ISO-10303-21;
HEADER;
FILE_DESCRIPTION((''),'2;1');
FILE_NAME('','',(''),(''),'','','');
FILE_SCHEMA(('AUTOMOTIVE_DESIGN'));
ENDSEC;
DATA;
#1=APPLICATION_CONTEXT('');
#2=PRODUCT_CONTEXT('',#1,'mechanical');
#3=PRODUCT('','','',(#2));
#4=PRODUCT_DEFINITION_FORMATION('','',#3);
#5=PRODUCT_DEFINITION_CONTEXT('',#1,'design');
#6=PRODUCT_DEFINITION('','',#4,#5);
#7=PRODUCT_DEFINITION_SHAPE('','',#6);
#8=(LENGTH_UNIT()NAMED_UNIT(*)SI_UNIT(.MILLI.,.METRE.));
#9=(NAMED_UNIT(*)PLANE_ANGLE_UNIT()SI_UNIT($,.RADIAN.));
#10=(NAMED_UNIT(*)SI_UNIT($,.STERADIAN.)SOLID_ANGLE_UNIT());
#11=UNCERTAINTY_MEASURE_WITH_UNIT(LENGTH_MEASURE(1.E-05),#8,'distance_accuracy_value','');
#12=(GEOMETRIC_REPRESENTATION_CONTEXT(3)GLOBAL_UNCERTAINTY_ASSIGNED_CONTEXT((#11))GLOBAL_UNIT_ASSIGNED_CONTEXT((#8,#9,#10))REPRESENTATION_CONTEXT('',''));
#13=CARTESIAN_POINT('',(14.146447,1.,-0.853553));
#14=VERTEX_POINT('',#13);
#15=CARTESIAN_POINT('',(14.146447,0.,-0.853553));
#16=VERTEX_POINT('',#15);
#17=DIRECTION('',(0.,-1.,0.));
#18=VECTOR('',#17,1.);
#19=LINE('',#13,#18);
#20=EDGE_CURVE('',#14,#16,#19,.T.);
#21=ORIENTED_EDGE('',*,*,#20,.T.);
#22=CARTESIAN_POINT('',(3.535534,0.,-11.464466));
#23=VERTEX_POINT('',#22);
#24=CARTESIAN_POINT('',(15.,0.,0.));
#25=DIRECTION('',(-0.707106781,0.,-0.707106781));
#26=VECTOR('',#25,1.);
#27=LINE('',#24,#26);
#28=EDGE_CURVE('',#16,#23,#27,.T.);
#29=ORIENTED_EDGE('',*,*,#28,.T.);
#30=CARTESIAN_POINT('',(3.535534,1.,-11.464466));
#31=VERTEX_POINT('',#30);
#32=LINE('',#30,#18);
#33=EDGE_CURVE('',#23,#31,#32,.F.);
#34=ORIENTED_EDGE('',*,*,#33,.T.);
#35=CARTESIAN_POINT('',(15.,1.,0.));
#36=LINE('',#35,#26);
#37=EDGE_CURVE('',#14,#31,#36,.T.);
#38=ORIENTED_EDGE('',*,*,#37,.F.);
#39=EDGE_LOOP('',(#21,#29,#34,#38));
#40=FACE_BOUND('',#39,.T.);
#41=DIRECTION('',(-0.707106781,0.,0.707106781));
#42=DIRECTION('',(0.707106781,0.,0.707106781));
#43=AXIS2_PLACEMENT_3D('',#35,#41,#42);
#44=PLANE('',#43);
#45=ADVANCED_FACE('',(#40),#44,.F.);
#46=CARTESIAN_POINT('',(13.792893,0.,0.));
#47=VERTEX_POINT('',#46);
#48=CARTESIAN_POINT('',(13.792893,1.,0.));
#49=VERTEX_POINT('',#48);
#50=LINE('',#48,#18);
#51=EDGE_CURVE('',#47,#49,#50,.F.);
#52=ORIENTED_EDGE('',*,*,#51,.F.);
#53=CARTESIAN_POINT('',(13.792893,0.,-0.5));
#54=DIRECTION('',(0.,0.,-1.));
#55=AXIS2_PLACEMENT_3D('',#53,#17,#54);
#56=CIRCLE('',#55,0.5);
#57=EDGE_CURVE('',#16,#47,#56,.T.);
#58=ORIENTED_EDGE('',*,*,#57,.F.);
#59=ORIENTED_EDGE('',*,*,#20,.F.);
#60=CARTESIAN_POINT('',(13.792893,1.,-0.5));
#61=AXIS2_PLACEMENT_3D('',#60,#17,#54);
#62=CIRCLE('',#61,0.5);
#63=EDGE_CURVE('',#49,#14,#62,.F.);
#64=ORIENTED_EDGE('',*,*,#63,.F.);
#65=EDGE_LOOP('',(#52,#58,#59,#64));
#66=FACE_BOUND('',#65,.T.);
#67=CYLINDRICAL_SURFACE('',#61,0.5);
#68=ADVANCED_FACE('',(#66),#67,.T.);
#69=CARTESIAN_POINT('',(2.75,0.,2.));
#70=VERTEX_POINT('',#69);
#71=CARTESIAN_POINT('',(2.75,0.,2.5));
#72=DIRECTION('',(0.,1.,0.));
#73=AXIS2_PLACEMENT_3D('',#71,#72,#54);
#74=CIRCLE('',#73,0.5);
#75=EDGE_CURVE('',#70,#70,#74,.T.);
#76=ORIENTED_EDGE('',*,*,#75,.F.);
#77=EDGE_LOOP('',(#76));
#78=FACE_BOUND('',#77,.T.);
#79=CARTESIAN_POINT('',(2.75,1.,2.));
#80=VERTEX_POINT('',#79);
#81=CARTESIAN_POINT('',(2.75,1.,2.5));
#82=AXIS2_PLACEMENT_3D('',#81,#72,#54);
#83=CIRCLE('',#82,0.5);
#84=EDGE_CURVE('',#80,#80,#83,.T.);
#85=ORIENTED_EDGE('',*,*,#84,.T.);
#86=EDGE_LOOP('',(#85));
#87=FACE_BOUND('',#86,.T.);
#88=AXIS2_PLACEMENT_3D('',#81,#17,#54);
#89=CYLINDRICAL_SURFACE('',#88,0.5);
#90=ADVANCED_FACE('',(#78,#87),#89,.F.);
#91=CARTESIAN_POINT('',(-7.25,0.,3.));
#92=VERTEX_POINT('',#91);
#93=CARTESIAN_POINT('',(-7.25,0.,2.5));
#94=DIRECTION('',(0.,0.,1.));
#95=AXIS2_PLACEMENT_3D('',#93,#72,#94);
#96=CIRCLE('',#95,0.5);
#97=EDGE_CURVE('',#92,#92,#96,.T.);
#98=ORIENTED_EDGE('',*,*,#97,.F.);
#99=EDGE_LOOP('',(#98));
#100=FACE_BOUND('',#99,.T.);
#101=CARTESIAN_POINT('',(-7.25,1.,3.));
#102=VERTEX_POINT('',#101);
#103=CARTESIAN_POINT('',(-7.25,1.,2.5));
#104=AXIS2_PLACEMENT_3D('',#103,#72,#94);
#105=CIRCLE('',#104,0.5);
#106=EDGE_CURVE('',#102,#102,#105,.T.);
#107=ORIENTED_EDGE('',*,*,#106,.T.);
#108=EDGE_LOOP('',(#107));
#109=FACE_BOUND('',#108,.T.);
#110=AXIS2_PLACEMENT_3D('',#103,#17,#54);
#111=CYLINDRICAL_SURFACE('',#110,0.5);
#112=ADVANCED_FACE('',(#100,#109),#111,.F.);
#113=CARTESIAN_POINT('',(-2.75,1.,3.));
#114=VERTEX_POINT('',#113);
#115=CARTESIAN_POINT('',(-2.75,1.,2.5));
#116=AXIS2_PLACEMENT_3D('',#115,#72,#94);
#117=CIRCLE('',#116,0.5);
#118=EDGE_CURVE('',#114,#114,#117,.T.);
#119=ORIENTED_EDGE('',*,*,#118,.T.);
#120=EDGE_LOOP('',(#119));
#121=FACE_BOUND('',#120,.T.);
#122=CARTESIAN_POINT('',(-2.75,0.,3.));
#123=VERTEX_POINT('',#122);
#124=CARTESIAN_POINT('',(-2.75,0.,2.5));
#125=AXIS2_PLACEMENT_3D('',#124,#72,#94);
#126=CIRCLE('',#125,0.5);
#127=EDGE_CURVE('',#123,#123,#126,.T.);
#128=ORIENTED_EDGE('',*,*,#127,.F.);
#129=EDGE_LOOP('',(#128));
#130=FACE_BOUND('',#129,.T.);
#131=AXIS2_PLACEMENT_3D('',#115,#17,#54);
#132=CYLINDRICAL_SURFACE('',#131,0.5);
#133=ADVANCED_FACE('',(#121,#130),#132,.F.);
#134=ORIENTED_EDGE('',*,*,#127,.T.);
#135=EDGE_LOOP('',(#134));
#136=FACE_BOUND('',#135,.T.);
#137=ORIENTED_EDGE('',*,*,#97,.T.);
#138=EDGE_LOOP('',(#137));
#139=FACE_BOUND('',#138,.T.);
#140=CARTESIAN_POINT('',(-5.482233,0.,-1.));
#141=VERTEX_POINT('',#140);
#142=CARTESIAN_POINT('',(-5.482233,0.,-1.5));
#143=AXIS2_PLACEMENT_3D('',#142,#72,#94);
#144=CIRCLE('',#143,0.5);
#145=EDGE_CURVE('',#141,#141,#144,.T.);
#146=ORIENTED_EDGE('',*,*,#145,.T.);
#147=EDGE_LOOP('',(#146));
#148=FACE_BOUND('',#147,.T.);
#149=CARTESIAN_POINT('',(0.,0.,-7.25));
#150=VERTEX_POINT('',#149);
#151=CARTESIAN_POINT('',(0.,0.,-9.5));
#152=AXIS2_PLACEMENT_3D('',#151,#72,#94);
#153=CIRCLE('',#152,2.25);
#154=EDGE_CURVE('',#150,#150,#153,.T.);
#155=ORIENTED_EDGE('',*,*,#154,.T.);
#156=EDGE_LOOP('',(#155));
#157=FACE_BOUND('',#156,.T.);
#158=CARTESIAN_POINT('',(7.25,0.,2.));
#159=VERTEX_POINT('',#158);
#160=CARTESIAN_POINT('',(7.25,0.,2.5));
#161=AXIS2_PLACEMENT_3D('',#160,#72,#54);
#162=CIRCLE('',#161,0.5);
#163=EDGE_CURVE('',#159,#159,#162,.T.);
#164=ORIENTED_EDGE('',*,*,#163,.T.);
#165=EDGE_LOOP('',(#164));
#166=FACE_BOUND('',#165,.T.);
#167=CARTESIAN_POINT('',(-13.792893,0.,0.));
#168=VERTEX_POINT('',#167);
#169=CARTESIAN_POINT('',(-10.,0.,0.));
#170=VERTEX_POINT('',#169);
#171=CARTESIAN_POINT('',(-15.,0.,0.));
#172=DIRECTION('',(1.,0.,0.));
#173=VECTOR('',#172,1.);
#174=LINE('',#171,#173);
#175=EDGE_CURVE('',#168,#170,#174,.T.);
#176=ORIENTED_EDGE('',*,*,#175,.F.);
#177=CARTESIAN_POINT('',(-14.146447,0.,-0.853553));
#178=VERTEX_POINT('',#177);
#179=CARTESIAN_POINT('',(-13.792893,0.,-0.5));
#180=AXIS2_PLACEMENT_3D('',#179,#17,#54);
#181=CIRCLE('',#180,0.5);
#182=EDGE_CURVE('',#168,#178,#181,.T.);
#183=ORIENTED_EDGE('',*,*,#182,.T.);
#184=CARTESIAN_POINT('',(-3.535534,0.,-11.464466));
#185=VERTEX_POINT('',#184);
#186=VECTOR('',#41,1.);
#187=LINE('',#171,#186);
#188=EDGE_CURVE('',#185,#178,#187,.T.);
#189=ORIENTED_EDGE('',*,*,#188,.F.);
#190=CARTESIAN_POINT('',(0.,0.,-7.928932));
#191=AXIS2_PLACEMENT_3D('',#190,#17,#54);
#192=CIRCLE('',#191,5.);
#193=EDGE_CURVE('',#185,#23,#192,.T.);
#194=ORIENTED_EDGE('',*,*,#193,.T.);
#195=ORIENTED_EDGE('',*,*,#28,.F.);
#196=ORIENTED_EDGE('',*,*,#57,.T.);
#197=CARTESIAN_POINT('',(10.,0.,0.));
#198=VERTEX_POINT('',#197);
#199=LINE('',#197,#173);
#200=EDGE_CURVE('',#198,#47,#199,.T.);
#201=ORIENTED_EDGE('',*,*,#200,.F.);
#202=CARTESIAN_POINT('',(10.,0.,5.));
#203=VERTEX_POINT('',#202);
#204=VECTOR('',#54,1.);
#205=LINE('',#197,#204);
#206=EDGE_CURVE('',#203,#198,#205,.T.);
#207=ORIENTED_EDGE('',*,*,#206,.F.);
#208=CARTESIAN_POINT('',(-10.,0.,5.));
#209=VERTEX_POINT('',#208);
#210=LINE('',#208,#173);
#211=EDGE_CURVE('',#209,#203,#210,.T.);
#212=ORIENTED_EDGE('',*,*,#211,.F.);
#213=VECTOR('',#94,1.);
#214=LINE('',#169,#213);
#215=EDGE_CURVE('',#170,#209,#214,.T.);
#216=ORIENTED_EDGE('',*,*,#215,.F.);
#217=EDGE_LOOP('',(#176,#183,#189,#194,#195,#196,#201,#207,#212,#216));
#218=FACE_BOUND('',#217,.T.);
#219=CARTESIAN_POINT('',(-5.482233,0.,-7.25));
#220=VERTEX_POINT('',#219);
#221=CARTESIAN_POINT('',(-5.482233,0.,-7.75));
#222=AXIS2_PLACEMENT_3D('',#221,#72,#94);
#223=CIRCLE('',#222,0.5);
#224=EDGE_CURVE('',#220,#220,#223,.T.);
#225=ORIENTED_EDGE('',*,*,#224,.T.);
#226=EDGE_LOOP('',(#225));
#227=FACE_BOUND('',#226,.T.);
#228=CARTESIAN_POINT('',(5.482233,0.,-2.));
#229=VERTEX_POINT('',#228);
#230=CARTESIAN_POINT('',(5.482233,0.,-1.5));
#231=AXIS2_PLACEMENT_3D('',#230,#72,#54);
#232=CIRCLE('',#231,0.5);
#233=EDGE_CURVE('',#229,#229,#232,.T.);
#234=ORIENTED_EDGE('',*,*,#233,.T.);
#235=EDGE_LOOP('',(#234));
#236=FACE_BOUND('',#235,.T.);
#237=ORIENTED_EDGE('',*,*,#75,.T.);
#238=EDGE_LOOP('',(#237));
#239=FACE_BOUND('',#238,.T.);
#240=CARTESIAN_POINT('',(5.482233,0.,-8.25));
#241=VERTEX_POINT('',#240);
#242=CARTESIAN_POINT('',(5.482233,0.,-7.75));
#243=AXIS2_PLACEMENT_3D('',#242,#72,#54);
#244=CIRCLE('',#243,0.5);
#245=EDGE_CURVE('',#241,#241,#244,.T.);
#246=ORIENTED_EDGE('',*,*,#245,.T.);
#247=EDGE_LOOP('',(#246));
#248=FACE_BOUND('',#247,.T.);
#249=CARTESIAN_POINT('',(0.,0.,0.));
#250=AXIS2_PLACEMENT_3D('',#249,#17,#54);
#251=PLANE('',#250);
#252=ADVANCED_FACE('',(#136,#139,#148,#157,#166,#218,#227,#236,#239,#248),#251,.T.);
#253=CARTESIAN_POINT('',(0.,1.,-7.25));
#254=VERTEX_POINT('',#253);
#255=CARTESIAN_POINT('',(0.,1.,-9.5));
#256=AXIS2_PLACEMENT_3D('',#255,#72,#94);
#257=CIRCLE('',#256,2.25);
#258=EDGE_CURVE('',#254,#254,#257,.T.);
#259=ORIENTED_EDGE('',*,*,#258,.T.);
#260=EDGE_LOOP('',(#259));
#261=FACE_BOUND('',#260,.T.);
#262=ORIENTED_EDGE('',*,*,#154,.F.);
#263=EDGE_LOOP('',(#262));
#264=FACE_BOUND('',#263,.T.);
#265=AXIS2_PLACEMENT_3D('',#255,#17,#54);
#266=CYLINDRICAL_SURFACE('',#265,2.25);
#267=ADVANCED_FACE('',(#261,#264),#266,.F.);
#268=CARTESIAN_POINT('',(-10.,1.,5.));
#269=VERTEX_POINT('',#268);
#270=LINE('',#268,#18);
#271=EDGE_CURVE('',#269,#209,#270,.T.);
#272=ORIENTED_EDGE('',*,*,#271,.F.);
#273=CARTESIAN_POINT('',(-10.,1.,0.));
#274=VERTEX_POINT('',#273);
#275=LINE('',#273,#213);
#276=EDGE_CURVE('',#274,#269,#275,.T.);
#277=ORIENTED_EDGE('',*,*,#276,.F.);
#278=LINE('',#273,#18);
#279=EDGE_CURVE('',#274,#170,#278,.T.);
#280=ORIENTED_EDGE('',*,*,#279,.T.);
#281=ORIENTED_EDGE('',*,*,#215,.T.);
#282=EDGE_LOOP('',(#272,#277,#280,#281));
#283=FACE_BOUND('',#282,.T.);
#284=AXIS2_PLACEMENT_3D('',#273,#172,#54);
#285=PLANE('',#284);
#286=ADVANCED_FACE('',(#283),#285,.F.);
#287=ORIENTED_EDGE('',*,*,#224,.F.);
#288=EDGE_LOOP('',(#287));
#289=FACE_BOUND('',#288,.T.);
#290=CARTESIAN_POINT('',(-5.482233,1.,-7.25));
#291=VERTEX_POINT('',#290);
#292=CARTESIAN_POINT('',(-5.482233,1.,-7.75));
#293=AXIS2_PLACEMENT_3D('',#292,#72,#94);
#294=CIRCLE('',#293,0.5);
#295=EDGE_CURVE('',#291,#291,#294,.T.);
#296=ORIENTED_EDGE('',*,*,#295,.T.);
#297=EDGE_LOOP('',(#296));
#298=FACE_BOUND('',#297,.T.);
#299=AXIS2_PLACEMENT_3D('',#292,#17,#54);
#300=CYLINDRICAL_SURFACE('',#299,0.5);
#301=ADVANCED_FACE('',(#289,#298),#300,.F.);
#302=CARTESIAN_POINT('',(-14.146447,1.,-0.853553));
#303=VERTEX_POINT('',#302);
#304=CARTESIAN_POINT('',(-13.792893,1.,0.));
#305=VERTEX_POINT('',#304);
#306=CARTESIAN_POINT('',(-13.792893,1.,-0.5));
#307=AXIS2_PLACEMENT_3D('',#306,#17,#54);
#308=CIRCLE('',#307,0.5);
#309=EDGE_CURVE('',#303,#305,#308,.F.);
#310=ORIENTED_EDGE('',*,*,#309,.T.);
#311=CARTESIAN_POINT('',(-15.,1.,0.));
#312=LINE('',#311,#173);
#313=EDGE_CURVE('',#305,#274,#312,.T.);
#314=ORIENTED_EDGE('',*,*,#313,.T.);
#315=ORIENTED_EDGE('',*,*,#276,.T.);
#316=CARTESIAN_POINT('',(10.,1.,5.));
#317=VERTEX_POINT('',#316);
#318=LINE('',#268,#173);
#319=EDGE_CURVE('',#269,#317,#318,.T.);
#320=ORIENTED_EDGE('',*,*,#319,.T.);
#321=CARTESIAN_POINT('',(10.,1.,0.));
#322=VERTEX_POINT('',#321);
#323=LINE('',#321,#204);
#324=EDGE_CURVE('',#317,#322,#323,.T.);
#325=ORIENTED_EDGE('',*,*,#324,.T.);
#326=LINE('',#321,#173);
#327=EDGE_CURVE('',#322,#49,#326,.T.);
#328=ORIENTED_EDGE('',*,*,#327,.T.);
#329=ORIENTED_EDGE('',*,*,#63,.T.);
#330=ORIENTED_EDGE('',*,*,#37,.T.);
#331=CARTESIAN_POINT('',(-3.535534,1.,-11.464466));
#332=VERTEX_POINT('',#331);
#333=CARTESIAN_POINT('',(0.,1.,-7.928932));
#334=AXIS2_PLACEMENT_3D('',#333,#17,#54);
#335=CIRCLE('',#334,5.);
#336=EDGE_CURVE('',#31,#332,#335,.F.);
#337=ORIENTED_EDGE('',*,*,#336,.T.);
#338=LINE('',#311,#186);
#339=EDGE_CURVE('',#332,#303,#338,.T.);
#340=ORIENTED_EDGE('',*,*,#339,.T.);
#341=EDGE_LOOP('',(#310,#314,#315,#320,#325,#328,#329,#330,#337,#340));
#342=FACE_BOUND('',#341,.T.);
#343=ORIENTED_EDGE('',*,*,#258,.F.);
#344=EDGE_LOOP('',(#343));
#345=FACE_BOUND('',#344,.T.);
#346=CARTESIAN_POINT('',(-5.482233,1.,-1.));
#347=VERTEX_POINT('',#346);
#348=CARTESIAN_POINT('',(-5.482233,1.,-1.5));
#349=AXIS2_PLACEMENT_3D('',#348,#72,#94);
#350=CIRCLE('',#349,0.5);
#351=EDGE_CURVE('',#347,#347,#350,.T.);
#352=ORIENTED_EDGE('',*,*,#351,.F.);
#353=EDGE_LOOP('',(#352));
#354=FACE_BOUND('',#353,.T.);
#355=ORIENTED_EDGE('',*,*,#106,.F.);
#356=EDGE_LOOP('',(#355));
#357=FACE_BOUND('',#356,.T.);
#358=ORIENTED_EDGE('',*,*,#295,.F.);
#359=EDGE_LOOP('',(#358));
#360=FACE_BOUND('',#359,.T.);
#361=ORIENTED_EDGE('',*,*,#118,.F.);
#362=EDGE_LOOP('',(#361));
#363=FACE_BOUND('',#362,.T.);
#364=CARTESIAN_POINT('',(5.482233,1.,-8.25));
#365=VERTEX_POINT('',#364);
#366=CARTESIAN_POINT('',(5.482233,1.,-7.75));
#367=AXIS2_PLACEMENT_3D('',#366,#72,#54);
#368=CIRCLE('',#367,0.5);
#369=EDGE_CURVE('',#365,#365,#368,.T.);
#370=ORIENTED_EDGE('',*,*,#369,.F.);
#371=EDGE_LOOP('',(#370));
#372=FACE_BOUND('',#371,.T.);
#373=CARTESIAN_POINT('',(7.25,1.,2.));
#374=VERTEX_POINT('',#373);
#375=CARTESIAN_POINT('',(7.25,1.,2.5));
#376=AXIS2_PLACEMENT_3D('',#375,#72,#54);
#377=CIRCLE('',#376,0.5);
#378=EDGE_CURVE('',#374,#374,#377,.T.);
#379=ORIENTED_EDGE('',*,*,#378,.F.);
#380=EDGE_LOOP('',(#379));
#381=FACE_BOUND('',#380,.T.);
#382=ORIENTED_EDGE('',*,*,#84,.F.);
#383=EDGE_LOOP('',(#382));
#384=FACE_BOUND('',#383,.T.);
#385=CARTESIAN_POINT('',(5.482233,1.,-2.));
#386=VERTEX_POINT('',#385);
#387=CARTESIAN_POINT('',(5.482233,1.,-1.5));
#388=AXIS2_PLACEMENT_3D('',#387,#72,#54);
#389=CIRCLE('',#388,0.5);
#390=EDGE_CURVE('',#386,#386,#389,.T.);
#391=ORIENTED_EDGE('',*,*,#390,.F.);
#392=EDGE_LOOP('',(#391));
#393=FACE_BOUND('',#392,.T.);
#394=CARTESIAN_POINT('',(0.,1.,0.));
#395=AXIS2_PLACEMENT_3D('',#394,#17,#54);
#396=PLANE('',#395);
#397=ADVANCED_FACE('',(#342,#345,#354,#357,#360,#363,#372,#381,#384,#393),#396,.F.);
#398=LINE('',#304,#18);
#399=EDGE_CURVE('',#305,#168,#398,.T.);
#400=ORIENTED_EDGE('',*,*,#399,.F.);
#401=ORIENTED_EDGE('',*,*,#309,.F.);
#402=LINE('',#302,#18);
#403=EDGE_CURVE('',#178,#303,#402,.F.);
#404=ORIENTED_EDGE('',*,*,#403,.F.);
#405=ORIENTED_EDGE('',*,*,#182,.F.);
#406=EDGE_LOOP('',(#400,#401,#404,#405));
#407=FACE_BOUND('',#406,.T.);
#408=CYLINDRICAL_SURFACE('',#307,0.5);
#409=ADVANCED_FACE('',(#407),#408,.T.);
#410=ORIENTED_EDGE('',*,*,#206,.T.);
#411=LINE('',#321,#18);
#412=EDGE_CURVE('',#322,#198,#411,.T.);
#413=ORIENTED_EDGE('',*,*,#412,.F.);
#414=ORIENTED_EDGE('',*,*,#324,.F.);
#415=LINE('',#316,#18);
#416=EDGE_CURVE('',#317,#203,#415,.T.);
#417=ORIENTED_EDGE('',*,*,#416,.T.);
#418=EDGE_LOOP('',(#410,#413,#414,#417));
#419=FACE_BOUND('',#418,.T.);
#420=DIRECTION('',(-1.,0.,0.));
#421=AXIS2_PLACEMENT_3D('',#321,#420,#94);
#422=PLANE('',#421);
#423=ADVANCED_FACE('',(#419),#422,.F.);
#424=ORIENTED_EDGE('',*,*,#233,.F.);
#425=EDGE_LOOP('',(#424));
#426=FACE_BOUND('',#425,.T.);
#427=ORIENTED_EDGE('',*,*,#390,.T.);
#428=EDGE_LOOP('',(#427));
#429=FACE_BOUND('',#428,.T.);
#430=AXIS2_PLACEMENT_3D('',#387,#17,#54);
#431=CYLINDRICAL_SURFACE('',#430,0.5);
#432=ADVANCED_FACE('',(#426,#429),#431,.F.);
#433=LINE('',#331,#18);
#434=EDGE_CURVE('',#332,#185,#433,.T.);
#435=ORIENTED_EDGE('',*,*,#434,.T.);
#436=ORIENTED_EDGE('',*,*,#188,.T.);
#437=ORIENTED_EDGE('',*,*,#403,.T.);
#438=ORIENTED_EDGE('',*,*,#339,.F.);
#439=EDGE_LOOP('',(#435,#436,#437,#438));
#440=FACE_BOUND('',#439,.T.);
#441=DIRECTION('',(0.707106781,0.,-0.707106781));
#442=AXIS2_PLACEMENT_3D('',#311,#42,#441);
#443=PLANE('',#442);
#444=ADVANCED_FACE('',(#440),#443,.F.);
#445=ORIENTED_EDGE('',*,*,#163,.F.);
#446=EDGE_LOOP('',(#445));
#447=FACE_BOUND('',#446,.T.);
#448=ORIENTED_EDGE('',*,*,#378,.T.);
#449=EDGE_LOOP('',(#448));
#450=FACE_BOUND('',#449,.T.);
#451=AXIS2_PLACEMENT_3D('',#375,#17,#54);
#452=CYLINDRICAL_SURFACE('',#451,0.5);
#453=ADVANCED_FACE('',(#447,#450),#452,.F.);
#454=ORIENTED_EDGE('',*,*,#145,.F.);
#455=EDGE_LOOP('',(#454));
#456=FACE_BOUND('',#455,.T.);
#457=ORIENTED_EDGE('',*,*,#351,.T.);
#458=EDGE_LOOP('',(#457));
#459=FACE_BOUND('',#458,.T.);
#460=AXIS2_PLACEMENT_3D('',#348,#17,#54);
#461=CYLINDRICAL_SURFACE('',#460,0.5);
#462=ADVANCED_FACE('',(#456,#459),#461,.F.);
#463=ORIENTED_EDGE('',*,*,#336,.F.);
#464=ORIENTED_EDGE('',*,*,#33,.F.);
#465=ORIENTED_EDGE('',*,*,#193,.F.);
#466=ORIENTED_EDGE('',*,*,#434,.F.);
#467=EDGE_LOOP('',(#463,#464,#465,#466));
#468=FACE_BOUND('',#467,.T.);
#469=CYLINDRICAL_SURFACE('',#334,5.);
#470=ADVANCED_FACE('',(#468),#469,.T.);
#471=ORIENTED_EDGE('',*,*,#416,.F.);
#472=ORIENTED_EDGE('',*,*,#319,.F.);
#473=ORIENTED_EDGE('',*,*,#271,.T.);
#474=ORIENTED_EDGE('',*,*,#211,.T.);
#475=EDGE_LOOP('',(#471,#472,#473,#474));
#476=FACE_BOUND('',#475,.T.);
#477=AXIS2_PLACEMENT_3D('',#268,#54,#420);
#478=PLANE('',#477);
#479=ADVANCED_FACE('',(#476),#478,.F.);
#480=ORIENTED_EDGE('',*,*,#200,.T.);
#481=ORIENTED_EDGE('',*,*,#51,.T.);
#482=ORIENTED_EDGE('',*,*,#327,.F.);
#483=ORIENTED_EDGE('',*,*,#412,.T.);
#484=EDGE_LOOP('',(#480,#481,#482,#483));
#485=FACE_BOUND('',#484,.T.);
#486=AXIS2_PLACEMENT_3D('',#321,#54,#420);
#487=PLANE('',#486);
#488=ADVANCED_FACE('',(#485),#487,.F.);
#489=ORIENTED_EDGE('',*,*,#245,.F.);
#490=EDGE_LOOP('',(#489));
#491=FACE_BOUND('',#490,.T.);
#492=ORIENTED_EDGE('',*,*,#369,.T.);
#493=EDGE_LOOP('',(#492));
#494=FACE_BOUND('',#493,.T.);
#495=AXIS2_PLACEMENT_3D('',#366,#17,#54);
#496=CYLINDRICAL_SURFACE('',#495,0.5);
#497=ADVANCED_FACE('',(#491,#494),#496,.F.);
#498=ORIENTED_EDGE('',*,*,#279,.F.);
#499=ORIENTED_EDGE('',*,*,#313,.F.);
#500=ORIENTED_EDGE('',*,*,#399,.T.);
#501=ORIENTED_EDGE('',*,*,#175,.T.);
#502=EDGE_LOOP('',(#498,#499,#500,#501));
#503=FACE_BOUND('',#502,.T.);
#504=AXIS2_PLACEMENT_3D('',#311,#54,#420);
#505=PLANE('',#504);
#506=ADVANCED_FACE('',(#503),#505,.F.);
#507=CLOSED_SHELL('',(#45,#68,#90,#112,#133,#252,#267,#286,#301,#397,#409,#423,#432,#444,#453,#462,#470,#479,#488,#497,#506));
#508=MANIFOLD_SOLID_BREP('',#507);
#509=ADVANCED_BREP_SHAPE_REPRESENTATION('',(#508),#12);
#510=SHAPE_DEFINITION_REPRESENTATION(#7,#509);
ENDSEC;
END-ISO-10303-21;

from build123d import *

# Parameters (mm, degrees)
SKETCH_1_R      = 2.25
SKETCH_1_R_2    = 0.5
EXTRUDE_1_DEPTH = 1
FILLET_1_R      = 5
FILLET_3_R      = 0.5


with BuildPart() as part:
    # 草图1 → 凸台-拉伸1 (new body)
    with BuildSketch(Plane(origin=(0, 0, 0), x_dir=(1, 0, 0), z_dir=(0, 1, 0))):
        Polygon((-15, 0), (0, 15), (15, 0), (10, 0), (10, -5), (-10, -5), (-10, 0), align=None)
        with Locations(Location((0, 9.5, 0), (0, 0, 270))):
            Circle(SKETCH_1_R, mode=Mode.SUBTRACT)
        with Locations(Location((-5.482233047, 7.75, 0), (0, 0, 270))):
            Circle(SKETCH_1_R_2, mode=Mode.SUBTRACT)
        with Locations(Location((5.482233047, 7.75, 0), (0, 0, 90))):
            Circle(SKETCH_1_R_2, mode=Mode.SUBTRACT)
        with Locations(Location((-5.482233047, 1.5, 0), (0, 0, 270))):
            Circle(SKETCH_1_R_2, mode=Mode.SUBTRACT)
        with Locations(Location((5.482233047, 1.5, 0), (0, 0, 90))):
            Circle(SKETCH_1_R_2, mode=Mode.SUBTRACT)
        with Locations(Location((-7.25, -2.5, 0), (0, 0, 270))):
            Circle(SKETCH_1_R_2, mode=Mode.SUBTRACT)
        with Locations(Location((-2.75, -2.5, 0), (0, 0, 270))):
            Circle(SKETCH_1_R_2, mode=Mode.SUBTRACT)
        with Locations(Location((2.75, -2.5, 0), (0, 0, 90))):
            Circle(SKETCH_1_R_2, mode=Mode.SUBTRACT)
        with Locations(Location((7.25, -2.5, 0), (0, 0, 90))):
            Circle(SKETCH_1_R_2, mode=Mode.SUBTRACT)
    extrude(amount=EXTRUDE_1_DEPTH)

    # 圆角1
    fillet_1_edges = [part.edges().sort_by_distance(p)[0] for p in [
        (0, 0.5, -15),
    ]]
    fillet(fillet_1_edges, radius=FILLET_1_R)

    # 圆角3
    fillet_3_edges = [part.edges().sort_by_distance(p)[0] for p in [
        (-15, 0.5, 0),
        (15, 0.5, 0),
    ]]
    fillet(fillet_3_edges, radius=FILLET_3_R)


solid = part.part
